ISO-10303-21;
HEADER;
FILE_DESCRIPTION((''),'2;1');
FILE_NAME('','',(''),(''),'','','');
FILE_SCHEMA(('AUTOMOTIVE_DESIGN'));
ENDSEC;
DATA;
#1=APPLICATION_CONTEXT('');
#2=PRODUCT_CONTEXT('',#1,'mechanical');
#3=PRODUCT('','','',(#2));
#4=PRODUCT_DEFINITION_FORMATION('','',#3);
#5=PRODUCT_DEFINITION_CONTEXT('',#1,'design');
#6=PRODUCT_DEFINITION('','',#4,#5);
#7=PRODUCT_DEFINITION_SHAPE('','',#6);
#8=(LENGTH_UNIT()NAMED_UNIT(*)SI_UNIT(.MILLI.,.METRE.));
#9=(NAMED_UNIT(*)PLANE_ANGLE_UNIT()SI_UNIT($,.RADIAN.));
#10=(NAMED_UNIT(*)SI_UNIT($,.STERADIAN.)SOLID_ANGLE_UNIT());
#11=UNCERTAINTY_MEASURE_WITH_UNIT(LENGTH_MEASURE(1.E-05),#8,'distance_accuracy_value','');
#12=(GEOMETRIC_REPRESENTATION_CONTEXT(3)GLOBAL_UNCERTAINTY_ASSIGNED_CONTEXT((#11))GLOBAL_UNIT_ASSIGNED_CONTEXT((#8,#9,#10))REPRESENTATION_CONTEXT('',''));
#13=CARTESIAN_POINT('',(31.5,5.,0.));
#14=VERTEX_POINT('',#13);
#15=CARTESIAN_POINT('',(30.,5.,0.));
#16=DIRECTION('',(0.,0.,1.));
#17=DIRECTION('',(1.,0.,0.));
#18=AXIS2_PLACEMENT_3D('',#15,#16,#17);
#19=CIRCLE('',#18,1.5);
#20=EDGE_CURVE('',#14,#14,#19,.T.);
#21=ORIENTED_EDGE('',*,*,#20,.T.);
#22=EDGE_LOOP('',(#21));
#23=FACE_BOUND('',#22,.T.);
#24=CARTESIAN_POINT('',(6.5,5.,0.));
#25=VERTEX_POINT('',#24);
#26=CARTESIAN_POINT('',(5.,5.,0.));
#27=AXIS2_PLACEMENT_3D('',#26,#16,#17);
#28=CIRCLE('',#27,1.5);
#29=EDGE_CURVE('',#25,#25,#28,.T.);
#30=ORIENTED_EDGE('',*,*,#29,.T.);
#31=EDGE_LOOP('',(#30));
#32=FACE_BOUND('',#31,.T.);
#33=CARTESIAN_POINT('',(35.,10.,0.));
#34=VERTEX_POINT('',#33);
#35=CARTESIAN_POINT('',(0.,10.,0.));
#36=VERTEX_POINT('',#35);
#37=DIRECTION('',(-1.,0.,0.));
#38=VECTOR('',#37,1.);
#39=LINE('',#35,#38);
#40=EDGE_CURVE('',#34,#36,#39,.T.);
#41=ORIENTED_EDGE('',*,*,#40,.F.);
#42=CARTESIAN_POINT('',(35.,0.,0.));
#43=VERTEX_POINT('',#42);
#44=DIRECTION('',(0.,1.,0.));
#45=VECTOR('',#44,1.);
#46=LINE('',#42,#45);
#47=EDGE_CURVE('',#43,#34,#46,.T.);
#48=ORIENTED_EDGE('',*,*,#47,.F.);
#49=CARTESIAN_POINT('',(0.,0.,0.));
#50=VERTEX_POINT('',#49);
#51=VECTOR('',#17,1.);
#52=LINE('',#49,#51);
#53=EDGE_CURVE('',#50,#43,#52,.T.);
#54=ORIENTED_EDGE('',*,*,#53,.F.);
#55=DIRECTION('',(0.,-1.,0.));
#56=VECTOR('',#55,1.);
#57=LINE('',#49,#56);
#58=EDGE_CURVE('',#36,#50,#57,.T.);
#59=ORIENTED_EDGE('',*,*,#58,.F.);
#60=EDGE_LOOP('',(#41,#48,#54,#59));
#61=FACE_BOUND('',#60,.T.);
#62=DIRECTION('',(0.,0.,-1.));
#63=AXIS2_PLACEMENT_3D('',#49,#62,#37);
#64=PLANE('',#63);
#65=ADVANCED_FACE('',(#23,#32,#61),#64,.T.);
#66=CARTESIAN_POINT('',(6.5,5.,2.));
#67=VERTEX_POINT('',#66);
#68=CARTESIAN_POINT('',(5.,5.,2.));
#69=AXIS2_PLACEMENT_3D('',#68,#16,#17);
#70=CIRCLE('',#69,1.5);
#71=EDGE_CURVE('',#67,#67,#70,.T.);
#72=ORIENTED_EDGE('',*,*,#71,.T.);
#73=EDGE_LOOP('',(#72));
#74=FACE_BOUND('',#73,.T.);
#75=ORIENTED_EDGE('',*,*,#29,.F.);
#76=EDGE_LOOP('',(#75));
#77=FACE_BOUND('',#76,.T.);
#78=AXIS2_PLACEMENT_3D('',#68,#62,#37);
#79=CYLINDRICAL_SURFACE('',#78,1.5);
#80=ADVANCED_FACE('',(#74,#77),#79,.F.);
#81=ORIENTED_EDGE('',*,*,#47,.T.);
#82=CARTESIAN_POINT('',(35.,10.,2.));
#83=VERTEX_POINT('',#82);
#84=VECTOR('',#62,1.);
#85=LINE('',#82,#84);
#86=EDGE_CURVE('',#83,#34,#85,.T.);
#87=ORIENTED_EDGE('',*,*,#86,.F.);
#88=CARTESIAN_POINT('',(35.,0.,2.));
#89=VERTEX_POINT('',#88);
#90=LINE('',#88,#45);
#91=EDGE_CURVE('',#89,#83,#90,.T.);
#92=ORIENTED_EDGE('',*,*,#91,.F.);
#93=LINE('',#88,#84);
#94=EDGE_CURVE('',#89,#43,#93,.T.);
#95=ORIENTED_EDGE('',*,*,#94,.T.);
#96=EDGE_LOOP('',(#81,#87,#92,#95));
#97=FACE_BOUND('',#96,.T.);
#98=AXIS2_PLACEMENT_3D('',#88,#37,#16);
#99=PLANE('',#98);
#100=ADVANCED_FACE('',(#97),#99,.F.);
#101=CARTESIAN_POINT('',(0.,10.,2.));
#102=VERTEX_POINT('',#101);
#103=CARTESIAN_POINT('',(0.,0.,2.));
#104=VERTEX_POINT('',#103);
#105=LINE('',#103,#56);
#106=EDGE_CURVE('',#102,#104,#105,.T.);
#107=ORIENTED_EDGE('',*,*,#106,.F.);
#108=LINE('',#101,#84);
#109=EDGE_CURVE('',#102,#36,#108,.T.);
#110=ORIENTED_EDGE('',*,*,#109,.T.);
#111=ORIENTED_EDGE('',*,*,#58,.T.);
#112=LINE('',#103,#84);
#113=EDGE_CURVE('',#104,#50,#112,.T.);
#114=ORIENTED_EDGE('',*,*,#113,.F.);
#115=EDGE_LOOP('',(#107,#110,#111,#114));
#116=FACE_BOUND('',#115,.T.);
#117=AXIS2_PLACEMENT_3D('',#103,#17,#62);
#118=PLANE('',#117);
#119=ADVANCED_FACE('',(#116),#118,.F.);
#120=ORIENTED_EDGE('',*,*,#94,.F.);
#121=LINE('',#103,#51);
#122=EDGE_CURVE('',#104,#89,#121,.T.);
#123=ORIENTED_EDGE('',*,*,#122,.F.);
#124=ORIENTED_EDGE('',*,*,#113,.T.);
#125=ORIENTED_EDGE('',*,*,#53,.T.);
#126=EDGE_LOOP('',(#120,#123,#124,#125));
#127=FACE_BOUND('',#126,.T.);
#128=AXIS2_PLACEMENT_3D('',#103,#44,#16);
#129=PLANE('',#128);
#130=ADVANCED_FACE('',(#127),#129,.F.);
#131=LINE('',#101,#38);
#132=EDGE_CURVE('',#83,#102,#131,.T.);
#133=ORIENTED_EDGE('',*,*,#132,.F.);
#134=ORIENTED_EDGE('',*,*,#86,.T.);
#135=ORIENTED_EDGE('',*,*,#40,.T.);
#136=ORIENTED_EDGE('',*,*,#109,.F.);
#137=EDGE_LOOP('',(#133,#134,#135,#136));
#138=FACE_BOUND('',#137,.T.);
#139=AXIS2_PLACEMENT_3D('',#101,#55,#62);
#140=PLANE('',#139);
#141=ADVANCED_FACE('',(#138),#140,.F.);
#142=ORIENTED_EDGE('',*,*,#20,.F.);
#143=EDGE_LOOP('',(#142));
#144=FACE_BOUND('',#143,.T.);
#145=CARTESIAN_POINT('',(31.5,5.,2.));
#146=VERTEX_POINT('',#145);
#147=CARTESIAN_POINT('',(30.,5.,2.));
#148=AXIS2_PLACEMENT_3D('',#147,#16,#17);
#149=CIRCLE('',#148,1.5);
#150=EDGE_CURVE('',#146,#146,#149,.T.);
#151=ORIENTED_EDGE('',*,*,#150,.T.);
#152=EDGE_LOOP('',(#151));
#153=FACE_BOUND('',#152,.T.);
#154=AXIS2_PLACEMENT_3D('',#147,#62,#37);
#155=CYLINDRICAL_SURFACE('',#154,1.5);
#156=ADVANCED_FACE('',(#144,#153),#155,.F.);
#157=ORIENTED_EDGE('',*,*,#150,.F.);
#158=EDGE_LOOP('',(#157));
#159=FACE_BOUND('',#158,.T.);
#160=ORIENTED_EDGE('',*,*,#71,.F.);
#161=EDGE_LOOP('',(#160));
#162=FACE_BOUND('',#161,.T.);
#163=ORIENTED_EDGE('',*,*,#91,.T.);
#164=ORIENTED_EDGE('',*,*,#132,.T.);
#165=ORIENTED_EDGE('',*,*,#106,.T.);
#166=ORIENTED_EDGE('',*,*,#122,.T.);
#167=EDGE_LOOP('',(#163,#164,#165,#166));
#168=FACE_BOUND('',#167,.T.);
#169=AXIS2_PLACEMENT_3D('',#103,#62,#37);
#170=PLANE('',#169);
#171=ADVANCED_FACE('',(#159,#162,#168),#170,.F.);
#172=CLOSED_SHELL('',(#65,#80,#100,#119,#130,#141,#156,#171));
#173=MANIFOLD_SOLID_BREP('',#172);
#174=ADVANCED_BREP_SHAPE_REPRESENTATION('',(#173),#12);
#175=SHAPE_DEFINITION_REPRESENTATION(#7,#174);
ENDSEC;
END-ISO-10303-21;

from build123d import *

# Parameters (mm, degrees)
SKETCH_1_W      = 35
SKETCH_1_H      = 10
SKETCH_1_R      = 1.5
EXTRUDE_1_DEPTH = 2


with BuildPart() as part:
    # 草图1 → 凸台-拉伸1 (new body)
    with BuildSketch(Plane.XY):
        with Locations((17.5, 5)):
            Rectangle(SKETCH_1_W, SKETCH_1_H)
        with Locations((5, 5)):
            Circle(SKETCH_1_R, mode=Mode.SUBTRACT)
        with Locations((30, 5)):
            Circle(SKETCH_1_R, mode=Mode.SUBTRACT)
    extrude(amount=EXTRUDE_1_DEPTH)


solid = part.part
